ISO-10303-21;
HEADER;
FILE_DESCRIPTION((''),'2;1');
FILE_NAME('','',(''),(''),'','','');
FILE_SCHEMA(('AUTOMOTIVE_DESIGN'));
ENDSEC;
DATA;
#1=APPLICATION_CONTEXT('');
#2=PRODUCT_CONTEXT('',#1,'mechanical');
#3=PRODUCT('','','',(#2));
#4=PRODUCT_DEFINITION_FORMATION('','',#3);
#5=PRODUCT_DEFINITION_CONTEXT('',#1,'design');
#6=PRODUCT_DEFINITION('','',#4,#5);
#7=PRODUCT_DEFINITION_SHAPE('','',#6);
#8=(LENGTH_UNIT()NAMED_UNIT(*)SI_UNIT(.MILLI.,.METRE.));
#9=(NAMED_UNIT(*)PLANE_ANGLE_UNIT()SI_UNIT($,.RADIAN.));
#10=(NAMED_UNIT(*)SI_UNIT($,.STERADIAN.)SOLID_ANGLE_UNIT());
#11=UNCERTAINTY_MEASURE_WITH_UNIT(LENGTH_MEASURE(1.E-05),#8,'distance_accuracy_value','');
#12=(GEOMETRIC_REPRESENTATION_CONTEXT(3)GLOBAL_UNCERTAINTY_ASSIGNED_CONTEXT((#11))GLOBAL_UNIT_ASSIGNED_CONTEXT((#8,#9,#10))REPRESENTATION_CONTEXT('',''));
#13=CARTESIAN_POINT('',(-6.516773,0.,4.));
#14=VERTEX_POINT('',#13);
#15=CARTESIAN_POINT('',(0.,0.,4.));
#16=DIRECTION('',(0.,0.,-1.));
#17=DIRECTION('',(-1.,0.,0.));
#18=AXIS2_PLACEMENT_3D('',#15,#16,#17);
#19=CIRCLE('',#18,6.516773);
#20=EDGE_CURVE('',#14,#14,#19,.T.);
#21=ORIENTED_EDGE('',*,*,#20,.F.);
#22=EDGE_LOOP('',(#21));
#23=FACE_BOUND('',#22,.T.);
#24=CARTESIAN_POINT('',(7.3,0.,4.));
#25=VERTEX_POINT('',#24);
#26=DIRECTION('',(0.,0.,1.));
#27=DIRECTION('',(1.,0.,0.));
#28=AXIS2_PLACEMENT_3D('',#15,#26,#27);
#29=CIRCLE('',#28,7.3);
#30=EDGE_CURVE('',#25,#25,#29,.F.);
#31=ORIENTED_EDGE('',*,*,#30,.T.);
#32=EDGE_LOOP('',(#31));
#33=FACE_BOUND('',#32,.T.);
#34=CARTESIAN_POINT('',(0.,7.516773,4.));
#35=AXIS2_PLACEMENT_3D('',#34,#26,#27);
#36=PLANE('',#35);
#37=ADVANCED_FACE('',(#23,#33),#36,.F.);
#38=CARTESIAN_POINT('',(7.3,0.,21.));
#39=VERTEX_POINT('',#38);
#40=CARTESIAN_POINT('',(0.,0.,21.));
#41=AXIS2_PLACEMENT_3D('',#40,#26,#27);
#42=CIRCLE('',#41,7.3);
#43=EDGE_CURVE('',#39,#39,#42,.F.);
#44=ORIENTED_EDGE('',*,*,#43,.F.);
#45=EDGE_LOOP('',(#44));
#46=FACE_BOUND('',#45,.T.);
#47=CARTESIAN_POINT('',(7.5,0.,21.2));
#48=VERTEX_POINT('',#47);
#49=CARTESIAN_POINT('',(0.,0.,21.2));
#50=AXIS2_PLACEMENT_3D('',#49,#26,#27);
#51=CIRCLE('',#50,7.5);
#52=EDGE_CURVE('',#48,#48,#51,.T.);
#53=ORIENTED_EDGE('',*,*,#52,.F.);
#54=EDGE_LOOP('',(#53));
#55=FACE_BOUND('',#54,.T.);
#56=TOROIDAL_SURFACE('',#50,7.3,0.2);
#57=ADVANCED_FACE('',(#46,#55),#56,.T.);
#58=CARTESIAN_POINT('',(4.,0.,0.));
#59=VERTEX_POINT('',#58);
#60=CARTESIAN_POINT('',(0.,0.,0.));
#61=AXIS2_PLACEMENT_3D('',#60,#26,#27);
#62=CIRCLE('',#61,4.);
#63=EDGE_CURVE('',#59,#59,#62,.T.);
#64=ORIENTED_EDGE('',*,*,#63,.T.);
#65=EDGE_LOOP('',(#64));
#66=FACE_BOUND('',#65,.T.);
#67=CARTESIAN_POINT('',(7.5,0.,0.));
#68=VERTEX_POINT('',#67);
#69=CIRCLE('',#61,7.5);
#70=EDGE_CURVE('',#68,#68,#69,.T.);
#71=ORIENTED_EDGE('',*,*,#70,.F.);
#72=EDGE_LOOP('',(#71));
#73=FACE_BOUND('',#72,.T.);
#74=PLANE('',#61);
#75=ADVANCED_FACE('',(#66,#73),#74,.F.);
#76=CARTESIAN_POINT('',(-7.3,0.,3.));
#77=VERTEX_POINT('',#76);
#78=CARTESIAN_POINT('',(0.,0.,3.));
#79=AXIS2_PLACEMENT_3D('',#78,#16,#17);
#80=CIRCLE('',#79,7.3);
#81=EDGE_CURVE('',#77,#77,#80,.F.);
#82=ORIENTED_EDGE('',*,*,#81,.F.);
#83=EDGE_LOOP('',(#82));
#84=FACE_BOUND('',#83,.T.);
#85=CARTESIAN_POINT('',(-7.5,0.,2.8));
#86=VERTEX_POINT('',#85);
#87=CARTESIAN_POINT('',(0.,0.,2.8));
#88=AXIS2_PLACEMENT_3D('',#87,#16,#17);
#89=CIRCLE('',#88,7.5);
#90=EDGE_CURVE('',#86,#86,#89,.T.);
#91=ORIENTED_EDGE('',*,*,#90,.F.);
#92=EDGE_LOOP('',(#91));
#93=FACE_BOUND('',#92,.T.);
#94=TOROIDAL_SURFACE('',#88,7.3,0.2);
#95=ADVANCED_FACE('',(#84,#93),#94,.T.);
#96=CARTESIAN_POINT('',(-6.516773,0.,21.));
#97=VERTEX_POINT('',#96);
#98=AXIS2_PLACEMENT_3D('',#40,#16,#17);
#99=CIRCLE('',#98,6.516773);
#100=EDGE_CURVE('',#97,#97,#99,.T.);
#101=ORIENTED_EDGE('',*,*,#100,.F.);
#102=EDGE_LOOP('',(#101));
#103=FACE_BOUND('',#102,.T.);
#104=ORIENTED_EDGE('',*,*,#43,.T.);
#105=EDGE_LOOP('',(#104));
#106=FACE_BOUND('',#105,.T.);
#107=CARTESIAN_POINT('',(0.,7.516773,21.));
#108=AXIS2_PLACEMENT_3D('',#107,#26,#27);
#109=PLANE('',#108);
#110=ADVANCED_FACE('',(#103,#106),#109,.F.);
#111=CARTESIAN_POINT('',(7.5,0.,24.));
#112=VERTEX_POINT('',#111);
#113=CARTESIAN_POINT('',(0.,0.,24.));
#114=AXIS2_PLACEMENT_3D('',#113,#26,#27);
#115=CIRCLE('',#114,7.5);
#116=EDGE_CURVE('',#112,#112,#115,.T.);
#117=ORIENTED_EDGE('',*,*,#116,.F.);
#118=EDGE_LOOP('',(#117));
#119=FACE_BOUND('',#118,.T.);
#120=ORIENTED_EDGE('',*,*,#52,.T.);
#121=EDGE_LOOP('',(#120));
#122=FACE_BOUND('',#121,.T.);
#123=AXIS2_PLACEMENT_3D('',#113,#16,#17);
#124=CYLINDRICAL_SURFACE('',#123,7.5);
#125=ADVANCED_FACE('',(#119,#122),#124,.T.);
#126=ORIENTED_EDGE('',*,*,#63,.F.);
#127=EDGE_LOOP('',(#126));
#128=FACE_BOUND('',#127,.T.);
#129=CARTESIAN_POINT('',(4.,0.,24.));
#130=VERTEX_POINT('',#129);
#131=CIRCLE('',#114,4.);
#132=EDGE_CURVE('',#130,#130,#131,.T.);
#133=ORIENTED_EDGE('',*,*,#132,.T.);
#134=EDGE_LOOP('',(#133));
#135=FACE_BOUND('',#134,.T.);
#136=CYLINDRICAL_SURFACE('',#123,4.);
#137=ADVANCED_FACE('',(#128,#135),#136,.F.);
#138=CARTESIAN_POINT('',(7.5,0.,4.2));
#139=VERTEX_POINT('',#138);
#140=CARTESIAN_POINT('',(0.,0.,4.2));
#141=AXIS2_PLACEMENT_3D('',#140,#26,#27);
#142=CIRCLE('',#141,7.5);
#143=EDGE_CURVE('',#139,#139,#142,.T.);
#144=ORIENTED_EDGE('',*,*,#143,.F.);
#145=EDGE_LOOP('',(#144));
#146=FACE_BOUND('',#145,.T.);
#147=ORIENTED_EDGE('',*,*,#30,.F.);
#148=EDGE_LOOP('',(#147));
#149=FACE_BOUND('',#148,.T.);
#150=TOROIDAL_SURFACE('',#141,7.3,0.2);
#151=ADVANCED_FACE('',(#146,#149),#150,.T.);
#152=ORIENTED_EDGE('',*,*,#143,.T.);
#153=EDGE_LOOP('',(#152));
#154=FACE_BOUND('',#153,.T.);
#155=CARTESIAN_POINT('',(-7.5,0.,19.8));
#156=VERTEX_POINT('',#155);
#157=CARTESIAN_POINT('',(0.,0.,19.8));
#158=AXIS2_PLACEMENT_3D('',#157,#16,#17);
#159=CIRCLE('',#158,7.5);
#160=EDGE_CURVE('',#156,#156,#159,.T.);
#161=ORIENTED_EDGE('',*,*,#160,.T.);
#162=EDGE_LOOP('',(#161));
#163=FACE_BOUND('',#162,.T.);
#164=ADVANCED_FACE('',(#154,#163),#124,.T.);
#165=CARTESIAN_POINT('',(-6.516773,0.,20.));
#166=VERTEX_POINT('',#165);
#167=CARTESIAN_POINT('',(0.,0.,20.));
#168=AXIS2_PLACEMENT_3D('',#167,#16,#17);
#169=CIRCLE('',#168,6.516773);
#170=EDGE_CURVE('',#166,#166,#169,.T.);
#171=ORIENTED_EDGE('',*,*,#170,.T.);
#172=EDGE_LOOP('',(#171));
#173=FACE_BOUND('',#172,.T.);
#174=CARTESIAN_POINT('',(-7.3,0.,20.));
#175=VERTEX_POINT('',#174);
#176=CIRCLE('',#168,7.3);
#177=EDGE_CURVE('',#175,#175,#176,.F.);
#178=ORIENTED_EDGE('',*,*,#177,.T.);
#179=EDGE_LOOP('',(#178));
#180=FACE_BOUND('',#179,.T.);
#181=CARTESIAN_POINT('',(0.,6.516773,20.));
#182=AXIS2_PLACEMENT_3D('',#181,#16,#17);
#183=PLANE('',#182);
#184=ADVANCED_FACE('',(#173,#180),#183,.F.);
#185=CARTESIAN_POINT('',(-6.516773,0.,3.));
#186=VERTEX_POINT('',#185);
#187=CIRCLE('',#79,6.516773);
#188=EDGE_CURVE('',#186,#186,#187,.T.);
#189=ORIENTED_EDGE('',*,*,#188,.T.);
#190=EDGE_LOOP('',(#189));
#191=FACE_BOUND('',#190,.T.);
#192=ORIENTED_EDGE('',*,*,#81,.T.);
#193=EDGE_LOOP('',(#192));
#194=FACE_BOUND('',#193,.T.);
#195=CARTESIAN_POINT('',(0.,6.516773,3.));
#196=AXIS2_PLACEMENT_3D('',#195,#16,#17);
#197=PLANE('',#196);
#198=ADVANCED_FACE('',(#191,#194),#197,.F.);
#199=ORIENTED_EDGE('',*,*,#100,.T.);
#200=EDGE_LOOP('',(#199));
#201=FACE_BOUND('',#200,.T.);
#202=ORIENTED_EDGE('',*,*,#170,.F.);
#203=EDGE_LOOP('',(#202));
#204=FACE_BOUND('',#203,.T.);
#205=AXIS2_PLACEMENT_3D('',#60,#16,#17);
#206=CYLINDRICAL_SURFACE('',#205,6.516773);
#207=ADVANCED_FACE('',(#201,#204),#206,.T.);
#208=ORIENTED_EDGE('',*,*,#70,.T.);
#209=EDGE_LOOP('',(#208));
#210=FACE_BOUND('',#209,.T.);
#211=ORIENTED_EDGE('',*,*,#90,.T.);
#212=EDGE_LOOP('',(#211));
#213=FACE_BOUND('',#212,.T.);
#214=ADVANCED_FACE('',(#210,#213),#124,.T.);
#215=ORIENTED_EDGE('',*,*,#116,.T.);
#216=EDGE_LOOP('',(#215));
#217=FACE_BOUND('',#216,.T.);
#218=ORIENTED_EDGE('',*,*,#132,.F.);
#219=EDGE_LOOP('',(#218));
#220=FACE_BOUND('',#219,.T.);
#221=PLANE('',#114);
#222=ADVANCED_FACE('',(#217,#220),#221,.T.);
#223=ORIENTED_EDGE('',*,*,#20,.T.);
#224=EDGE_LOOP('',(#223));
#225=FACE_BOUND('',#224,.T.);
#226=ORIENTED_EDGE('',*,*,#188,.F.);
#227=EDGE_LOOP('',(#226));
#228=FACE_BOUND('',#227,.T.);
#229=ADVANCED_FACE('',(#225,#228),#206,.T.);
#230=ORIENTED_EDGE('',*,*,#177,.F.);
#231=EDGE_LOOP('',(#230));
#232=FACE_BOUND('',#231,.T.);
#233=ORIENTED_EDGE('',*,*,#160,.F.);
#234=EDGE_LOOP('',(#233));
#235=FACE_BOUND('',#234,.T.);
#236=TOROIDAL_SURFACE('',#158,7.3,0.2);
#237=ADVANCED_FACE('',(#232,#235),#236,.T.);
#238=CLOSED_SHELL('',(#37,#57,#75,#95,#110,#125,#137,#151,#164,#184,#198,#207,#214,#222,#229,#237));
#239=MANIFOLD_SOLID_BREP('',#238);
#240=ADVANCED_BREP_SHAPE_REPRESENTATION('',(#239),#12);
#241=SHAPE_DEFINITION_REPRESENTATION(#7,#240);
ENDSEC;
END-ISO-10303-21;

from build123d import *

# Parameters (mm, degrees)
SKETCH_1_R      = 7.5
SKETCH_1_R_2    = 4
EXTRUDE_1_DEPTH = 24
SKETCH_4_W      = 1
SKETCH_4_H      = 1
FILLET_1_R      = 0.2


with BuildPart() as part:
    # 草图1 → 凸台-拉伸1 (new body)
    with BuildSketch(Plane.XY):
        Circle(SKETCH_1_R)
        Circle(SKETCH_1_R_2, mode=Mode.SUBTRACT)
    extrude(amount=EXTRUDE_1_DEPTH)

    # 草图4 → 切除-旋转1 (revolve, cut)
    with BuildSketch(Plane(origin=(0, 0, 0), x_dir=(0, 0, -1), z_dir=(1, 0, 0)), mode=Mode.PRIVATE) as cut_revolve_1_sk:
        with Locations((-20.5, 7.016772844)):
            Rectangle(SKETCH_4_W, SKETCH_4_H)
        with Locations((-3.5, 7.016772844)):
            Rectangle(SKETCH_4_W, SKETCH_4_H)
    revolve(cut_revolve_1_sk.sketch.rotate(Axis((0, 0, 0), (0, 0, 1)), 90), axis=Axis((0, 0, 0), (0, 0, 1)), mode=Mode.SUBTRACT)

    # 圆角1
    fillet_1_edges = [part.edges().sort_by_distance(p)[0] for p in [
        (-7.5, 0, 21),
        (-7.5, 0, 20),
        (-7.5, 0, 4),
        (-7.5, 0, 3),
    ]]
    fillet(fillet_1_edges, radius=FILLET_1_R)


solid = part.part
